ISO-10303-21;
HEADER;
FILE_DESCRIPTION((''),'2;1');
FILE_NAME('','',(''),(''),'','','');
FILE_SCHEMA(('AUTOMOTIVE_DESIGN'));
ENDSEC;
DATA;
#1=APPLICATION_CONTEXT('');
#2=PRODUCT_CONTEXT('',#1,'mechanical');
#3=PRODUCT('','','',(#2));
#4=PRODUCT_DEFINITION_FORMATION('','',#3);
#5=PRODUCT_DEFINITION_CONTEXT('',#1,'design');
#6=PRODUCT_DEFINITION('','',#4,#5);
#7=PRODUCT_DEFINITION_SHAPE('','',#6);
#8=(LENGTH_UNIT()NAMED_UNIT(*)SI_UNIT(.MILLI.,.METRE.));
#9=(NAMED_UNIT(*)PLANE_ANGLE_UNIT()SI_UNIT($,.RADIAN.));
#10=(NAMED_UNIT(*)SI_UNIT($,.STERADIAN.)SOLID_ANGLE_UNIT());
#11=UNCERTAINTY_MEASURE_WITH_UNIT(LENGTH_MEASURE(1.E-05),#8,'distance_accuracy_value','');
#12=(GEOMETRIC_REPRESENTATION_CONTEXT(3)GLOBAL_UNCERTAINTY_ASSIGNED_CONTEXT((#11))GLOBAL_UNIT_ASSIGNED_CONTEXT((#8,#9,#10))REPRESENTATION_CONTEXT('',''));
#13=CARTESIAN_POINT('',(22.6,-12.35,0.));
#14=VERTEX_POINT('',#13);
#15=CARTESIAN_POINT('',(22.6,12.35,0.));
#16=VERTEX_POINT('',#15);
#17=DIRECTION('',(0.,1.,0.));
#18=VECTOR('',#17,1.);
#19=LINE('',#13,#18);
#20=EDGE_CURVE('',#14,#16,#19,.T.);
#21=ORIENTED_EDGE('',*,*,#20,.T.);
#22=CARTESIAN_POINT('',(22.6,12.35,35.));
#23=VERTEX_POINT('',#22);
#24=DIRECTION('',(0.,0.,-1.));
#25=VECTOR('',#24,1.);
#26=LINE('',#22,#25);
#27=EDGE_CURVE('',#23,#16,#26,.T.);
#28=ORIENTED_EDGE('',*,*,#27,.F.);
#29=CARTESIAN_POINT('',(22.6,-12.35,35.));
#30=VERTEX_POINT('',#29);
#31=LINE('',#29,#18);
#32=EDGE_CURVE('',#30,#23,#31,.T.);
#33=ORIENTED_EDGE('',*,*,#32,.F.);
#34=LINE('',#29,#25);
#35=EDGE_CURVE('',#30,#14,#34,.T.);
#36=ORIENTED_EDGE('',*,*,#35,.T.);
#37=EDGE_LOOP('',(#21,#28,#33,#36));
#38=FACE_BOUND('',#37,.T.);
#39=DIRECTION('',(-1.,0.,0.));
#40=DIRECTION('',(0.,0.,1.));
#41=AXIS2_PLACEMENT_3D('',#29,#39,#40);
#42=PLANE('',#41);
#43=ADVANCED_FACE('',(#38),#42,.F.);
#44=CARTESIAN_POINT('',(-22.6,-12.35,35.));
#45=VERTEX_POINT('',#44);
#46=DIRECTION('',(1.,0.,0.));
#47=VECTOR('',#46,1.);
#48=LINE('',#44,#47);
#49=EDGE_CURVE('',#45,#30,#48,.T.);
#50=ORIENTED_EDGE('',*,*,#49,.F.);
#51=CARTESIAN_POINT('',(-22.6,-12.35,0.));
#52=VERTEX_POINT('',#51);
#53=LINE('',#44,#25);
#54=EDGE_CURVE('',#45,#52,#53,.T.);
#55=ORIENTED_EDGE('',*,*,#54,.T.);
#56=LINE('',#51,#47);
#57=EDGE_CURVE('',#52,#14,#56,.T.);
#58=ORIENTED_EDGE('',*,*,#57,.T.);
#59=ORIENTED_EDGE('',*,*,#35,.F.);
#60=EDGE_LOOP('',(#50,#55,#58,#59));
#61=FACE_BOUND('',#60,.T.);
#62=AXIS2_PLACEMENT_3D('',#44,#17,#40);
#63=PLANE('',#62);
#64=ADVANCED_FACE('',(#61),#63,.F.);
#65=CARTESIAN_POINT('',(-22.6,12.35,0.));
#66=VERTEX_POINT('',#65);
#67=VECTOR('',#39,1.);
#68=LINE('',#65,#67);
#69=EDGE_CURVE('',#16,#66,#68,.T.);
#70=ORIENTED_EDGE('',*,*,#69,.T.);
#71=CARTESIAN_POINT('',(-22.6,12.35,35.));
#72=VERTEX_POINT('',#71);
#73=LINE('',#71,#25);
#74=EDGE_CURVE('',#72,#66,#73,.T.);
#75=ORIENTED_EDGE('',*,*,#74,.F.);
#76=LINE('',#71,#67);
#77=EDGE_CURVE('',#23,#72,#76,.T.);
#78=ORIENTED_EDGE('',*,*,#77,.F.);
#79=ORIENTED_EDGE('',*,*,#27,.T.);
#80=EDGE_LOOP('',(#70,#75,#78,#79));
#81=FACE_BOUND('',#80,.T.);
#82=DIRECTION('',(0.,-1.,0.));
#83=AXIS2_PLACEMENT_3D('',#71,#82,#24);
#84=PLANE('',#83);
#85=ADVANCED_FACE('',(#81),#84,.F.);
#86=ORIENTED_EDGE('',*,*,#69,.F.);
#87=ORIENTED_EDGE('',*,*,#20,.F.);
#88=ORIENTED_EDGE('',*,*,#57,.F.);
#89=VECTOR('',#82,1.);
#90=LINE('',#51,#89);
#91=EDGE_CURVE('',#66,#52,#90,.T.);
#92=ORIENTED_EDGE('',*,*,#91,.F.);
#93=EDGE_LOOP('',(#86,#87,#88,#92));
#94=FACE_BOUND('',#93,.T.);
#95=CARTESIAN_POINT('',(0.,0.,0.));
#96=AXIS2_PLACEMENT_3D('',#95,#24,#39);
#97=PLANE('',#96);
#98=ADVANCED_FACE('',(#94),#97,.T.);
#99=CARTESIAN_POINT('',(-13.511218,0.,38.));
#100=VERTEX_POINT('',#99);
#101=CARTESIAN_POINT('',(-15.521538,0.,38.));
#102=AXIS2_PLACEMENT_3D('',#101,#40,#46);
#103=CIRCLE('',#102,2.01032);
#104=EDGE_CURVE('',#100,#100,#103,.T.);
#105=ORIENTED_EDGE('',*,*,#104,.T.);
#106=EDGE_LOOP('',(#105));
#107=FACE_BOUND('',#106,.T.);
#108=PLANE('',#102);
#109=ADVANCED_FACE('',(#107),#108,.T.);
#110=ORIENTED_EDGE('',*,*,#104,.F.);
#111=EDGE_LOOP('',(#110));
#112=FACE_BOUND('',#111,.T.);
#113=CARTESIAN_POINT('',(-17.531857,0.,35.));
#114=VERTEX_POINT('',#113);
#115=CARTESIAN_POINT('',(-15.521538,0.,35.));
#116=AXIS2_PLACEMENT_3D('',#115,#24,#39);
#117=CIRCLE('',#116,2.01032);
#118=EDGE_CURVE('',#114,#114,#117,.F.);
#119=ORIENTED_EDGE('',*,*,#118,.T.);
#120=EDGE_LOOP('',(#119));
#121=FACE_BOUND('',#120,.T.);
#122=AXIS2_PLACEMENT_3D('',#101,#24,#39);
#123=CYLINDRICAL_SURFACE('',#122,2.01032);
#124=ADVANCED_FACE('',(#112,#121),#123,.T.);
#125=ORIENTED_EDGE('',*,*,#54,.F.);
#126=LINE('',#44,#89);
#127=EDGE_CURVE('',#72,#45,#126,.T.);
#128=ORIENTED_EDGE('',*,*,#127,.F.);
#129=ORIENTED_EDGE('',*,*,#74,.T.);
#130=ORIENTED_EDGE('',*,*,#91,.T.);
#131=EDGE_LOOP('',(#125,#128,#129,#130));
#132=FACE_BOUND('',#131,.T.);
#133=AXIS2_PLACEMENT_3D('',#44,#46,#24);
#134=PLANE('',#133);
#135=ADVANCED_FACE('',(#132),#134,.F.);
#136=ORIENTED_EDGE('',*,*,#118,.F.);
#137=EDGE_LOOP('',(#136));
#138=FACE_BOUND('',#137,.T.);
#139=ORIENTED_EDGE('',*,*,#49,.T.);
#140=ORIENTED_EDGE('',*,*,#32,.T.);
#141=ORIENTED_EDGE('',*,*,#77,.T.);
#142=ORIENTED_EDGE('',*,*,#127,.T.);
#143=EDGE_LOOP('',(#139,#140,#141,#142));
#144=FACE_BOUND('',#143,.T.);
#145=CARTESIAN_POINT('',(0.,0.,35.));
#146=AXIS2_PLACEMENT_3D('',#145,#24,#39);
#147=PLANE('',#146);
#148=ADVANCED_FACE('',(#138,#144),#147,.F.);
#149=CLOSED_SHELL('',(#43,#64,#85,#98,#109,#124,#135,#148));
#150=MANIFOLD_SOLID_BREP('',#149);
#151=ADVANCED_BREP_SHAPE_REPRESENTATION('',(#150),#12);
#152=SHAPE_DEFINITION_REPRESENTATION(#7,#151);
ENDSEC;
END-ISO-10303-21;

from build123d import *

# Parameters (mm, degrees)
SKETCH1_W           = 45.2
SKETCH1_H           = 24.7
BOSS_EXTRUDE1_DEPTH = 35
SKETCH2_R           = 2.010319626
BOSS_EXTRUDE2_DEPTH = 3


with BuildPart() as part:
    # Sketch1 → Boss-Extrude1 (new body)
    with BuildSketch(Plane.XY):
        Rectangle(SKETCH1_W, SKETCH1_H)
    extrude(amount=BOSS_EXTRUDE1_DEPTH)

    # Sketch2 → Boss-Extrude2 (add)
    with BuildSketch(Plane.XY.offset(35)):
        with Locations(Location((-15.521537577, 0, 0), (0, 0, 180))):
            Circle(SKETCH2_R)
    extrude(amount=BOSS_EXTRUDE2_DEPTH)


solid = part.part
